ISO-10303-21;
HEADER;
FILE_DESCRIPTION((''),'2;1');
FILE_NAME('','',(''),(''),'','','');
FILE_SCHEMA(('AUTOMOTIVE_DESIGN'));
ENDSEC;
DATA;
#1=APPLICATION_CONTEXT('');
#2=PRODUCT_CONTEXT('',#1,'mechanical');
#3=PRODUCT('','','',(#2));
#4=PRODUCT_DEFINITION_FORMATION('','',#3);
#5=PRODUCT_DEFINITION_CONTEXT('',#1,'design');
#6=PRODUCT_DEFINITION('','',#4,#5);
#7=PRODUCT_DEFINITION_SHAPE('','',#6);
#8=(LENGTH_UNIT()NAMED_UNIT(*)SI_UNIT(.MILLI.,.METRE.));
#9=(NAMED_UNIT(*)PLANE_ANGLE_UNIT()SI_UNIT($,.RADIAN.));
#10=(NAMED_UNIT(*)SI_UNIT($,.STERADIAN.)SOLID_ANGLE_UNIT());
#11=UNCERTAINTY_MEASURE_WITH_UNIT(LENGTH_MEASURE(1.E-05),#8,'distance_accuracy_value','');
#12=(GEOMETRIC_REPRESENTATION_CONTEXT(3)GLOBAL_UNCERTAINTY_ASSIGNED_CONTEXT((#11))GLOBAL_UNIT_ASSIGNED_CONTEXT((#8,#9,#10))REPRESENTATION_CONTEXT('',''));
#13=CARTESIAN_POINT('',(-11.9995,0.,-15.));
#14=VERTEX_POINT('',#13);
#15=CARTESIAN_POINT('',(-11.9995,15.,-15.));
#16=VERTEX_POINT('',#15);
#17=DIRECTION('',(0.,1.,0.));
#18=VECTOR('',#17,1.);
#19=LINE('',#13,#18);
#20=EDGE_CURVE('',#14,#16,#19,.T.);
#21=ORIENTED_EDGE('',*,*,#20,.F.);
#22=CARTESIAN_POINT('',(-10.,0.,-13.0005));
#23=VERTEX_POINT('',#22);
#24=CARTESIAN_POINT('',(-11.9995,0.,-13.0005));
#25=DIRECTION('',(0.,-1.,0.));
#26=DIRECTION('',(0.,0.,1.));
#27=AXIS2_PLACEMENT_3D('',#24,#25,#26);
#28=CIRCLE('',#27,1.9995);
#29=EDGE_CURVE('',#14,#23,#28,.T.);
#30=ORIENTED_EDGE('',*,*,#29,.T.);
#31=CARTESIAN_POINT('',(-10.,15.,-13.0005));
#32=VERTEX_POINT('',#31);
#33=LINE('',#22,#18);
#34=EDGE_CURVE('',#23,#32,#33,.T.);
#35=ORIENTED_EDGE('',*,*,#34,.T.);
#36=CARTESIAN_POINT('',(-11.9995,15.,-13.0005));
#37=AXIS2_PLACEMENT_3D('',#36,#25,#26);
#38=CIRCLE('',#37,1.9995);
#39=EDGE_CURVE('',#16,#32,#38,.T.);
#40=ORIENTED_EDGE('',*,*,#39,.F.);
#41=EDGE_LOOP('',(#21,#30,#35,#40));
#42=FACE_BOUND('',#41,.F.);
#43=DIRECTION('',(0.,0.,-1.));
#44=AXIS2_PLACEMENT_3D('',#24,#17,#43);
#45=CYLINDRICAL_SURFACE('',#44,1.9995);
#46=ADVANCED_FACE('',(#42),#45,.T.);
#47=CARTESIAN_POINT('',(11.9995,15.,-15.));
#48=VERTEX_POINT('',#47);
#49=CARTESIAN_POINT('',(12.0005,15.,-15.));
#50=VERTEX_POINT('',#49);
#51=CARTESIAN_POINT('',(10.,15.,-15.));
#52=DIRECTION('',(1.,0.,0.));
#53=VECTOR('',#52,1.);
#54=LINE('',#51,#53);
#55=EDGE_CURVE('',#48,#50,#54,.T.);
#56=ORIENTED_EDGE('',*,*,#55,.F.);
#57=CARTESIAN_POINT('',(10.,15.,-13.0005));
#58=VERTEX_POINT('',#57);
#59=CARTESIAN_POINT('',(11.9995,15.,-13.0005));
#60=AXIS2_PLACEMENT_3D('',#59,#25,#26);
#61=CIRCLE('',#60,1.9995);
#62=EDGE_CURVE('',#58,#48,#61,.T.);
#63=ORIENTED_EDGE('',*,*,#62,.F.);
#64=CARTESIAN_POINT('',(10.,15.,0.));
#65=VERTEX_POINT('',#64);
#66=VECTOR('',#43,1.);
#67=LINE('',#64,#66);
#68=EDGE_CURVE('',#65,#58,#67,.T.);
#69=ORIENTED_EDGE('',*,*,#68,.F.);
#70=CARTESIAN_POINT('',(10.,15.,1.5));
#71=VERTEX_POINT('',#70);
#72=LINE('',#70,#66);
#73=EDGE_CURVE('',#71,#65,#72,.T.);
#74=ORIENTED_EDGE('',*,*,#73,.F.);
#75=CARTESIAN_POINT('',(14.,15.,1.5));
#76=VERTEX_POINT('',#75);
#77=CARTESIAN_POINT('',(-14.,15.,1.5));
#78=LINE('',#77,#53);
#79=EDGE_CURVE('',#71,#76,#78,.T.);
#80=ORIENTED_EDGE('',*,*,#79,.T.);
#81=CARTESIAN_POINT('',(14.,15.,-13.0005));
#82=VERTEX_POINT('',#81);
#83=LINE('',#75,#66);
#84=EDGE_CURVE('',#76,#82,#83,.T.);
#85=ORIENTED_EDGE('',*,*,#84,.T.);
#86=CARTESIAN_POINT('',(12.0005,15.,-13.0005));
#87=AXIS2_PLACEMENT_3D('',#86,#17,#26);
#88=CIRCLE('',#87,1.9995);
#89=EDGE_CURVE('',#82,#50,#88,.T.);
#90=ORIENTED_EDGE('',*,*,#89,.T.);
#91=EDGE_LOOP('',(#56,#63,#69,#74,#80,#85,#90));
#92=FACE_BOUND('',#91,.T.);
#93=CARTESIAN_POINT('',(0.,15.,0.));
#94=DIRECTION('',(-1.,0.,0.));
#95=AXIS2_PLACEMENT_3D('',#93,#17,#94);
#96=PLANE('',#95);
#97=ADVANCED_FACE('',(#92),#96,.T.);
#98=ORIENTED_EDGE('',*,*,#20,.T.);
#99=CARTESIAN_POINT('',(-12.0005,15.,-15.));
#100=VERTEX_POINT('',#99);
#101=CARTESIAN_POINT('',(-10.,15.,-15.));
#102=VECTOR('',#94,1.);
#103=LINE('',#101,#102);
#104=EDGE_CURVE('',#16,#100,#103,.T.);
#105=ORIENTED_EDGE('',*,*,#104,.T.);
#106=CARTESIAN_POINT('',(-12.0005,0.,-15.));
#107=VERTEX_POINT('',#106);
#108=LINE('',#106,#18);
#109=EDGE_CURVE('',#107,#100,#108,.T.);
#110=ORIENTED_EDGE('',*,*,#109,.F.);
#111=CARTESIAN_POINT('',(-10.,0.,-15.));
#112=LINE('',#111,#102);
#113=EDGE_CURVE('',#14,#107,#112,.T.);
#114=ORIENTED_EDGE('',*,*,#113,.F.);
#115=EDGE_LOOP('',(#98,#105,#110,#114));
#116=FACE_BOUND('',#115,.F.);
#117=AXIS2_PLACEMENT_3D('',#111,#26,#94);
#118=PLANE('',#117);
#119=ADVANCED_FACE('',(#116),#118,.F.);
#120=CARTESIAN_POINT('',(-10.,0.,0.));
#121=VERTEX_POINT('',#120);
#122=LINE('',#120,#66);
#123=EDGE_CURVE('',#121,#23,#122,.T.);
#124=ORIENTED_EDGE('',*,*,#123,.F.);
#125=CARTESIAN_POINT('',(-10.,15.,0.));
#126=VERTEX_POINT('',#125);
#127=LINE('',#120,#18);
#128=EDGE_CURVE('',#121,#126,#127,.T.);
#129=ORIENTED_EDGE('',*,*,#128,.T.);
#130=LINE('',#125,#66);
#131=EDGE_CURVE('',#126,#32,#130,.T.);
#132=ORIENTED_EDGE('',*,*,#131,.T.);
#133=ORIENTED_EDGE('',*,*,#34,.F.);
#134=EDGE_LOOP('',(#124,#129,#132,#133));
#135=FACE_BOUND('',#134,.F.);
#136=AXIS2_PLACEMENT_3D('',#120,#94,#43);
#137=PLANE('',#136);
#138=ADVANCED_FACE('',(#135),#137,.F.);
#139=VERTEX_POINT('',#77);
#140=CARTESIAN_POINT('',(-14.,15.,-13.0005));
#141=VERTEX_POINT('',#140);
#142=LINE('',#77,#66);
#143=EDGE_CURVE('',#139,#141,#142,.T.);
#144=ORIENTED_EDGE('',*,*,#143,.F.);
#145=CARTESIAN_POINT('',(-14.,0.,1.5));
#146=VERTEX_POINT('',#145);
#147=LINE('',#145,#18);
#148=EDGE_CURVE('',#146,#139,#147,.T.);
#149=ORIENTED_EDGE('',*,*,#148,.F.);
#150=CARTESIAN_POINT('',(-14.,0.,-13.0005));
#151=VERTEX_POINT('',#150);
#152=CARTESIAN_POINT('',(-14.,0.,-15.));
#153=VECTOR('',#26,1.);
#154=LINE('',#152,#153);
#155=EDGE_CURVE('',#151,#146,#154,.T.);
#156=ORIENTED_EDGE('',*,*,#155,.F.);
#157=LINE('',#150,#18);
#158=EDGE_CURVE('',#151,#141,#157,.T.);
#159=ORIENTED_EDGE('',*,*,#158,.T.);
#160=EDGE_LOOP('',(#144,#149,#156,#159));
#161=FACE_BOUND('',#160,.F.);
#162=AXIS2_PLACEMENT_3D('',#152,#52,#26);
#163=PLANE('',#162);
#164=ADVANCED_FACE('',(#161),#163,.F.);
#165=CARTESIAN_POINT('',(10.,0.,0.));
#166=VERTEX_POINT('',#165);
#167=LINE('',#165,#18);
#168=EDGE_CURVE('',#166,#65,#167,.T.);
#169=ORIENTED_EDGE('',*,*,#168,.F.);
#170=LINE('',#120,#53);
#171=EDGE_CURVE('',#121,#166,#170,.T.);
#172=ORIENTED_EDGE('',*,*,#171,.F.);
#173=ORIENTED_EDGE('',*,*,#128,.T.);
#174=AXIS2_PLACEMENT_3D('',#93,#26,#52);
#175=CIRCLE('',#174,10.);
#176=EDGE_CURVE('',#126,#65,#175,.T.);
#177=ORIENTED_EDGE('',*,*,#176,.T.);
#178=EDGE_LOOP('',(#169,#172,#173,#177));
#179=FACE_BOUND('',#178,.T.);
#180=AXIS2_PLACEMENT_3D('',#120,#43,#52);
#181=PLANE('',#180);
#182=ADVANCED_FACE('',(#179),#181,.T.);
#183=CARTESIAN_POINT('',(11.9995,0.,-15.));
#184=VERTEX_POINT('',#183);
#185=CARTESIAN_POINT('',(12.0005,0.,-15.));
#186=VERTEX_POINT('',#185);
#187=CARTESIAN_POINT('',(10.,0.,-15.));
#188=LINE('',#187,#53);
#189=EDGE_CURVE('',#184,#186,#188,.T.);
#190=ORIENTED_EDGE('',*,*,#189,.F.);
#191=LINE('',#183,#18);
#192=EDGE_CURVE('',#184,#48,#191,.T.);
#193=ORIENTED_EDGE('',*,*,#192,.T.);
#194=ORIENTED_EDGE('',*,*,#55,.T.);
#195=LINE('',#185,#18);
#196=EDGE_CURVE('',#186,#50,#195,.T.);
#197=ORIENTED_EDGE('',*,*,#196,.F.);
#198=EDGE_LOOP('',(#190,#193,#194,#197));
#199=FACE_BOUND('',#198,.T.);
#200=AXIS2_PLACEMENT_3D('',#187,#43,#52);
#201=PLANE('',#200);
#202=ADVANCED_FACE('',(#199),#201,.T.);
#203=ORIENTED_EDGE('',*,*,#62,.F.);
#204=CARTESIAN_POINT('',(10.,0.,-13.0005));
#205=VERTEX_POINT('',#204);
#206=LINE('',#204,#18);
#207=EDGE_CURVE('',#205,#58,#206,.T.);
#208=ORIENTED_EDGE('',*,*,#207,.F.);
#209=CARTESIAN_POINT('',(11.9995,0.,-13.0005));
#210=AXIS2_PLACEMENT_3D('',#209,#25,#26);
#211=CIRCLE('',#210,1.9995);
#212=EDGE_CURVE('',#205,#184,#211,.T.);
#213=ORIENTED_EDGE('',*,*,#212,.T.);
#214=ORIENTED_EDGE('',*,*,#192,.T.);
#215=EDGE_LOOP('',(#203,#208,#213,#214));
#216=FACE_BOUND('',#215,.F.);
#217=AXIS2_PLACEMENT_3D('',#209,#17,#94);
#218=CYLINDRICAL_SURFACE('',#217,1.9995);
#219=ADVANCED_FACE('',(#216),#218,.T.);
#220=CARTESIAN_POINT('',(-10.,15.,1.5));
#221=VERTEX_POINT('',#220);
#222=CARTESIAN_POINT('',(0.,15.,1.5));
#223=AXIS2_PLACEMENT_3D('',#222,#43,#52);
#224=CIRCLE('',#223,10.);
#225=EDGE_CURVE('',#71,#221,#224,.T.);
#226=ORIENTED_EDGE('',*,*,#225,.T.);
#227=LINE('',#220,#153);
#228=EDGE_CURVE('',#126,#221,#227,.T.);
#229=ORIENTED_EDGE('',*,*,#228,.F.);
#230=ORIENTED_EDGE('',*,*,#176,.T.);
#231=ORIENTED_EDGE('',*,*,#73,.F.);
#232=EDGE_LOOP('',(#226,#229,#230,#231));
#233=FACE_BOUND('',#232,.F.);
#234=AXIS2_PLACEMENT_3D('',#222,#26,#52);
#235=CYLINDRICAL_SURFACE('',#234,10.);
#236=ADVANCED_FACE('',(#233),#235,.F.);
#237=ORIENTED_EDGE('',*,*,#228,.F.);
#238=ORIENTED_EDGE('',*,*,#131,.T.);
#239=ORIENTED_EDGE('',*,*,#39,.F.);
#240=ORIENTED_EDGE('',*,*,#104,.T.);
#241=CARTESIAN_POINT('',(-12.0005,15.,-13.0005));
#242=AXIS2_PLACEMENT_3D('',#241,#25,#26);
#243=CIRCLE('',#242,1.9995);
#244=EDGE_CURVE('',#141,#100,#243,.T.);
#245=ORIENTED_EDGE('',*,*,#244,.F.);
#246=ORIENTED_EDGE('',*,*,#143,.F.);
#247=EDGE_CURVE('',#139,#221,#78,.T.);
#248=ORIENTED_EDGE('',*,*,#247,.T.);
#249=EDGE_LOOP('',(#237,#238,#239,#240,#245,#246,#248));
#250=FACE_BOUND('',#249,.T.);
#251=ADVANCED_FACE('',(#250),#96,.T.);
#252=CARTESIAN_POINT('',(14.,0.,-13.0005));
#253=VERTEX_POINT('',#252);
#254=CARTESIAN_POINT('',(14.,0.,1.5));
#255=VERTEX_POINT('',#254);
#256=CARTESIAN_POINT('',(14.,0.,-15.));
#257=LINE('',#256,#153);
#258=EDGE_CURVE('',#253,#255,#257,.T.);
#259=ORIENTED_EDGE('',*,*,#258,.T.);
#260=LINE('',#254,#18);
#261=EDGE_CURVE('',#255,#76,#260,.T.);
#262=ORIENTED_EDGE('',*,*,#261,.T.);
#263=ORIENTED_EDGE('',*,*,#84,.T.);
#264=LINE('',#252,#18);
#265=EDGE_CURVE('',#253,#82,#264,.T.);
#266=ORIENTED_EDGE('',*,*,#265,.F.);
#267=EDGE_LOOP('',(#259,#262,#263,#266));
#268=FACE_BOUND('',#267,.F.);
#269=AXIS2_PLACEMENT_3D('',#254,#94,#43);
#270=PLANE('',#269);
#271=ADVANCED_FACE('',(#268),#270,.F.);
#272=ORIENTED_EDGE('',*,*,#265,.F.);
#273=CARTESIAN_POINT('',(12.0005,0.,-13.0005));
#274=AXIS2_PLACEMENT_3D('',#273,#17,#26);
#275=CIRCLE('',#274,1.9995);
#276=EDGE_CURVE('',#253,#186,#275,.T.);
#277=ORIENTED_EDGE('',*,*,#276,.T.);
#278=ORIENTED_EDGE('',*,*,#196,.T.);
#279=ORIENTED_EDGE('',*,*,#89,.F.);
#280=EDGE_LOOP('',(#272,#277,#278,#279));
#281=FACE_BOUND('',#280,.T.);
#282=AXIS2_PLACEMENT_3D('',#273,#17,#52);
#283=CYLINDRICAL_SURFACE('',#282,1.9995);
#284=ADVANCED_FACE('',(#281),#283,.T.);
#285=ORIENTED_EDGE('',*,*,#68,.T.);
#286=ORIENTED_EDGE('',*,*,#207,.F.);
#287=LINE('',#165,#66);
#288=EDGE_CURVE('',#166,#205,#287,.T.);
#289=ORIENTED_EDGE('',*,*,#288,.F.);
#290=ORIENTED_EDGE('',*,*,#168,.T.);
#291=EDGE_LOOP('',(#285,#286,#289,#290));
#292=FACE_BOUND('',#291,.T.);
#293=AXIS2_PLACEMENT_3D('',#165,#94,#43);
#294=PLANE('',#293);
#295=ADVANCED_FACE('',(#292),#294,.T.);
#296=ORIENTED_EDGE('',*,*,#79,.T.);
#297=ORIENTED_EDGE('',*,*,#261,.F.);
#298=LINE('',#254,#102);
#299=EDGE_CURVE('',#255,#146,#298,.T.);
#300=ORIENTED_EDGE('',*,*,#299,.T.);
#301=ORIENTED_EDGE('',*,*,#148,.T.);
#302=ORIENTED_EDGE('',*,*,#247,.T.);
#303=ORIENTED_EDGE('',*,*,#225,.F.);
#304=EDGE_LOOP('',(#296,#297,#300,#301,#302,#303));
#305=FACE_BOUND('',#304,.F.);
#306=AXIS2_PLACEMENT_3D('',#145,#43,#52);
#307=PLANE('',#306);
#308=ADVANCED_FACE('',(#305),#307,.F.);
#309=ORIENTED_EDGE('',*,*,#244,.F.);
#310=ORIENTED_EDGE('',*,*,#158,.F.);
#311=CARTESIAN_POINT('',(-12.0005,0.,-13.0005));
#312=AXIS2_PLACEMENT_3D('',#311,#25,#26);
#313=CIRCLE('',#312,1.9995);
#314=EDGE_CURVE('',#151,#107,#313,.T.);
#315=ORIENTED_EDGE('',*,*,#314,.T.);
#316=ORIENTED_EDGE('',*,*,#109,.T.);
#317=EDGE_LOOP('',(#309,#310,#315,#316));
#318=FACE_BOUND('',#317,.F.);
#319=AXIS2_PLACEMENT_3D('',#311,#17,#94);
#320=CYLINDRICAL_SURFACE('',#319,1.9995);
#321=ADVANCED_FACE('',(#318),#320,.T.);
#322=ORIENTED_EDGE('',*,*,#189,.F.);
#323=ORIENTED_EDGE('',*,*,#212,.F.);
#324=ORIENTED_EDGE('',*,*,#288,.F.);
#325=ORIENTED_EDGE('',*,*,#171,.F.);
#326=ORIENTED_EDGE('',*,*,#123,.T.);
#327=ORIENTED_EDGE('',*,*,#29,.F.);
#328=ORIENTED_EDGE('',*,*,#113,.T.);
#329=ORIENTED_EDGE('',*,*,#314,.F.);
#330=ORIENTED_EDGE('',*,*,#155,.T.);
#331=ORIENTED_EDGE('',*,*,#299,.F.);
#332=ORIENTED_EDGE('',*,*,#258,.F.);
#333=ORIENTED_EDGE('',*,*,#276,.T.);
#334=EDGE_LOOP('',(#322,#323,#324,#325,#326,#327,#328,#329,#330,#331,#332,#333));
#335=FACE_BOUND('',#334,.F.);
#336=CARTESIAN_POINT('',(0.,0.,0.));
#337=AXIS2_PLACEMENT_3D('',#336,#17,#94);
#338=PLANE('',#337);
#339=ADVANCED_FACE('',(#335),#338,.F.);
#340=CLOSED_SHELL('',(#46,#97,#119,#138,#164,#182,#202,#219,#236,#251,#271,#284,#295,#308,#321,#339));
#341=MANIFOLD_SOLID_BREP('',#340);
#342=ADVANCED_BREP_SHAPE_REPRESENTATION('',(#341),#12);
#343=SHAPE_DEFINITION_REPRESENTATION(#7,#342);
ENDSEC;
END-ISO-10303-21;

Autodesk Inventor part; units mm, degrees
ref_plane "YZ Plane" through (0, 0, 0) normal (1, 0, 0) x (0, 1, 0)
ref_plane "XZ Plane" through (0, 0, 0) normal (0, 1, 0) x (-1, 0, 0)
ref_plane "XY Plane" through (0, 0, 0) normal (0, 0, 1) x (1, 0, 0)
sketch "Sketch1" plane through (0, 0, 0) normal (0, 1, 0) x (-1, 0, 0)
  line L0 (14, 0) -> (-14, 0) projected
  line L1 (0, -18.3) -> (0, 4.8) projected
  line L2 (14, 1.5) -> (-14, 1.5)
  line L3 (-14, 1.5) -> (-14, 0)
  line L4 (-10, 0) -> (10, 0)
  line L5 (14, 0) -> (14, 1.5)
  line L6 (10, 0) -> (10, -15)
  line L7 (10, -15) -> (14, -15)
  line L8 (14, -15) -> (14, 0)
  line L9 (-10, 0) -> (-10, -15)
  line L10 (-10, -15) -> (-14, -15)
  line L11 (-14, -15) -> (-14, 0)
  point P0 (0, 0)
  dimension "d0" = 28
  dimension "d1" = 4
  dimension "d2" = 15
  dimension "d3" = 1.5
  dimension "d5" = 4
  dimension "d6" = 15
extrude "Extrusion1" add sketch "Sketch1" along normal blind 15
fillet "Fillet1" radius 2 4 edges at (14, 7.5, -15) (10, 7.5, -15) (-10, 7.5, -15) (-14, 7.5, -15)
sketch "Sketch2" plane through (-14, 0, 1.5) normal (0, 0, 1) x (1, 0, 0)
  line L0 (0, 0) -> (28, 0) projected
  line L1 (28, 0) -> (28, 15) projected
  line L2 (0, 15) -> (28, 15) projected
  line L3 (0, 0) -> (0, 15) projected
  line L4 (24, 0) -> (24, 15) projected
  line L5 (4, 0) -> (4, 15) projected
  circle A0 centre (14, 15) radius 10
  point P0 (14, 0)
extrude "Extrusion2" cut sketch "Sketch2" against normal blind 15 contours A0 L2 | L2 A0
properties part number "encastre pinza pilar central"
